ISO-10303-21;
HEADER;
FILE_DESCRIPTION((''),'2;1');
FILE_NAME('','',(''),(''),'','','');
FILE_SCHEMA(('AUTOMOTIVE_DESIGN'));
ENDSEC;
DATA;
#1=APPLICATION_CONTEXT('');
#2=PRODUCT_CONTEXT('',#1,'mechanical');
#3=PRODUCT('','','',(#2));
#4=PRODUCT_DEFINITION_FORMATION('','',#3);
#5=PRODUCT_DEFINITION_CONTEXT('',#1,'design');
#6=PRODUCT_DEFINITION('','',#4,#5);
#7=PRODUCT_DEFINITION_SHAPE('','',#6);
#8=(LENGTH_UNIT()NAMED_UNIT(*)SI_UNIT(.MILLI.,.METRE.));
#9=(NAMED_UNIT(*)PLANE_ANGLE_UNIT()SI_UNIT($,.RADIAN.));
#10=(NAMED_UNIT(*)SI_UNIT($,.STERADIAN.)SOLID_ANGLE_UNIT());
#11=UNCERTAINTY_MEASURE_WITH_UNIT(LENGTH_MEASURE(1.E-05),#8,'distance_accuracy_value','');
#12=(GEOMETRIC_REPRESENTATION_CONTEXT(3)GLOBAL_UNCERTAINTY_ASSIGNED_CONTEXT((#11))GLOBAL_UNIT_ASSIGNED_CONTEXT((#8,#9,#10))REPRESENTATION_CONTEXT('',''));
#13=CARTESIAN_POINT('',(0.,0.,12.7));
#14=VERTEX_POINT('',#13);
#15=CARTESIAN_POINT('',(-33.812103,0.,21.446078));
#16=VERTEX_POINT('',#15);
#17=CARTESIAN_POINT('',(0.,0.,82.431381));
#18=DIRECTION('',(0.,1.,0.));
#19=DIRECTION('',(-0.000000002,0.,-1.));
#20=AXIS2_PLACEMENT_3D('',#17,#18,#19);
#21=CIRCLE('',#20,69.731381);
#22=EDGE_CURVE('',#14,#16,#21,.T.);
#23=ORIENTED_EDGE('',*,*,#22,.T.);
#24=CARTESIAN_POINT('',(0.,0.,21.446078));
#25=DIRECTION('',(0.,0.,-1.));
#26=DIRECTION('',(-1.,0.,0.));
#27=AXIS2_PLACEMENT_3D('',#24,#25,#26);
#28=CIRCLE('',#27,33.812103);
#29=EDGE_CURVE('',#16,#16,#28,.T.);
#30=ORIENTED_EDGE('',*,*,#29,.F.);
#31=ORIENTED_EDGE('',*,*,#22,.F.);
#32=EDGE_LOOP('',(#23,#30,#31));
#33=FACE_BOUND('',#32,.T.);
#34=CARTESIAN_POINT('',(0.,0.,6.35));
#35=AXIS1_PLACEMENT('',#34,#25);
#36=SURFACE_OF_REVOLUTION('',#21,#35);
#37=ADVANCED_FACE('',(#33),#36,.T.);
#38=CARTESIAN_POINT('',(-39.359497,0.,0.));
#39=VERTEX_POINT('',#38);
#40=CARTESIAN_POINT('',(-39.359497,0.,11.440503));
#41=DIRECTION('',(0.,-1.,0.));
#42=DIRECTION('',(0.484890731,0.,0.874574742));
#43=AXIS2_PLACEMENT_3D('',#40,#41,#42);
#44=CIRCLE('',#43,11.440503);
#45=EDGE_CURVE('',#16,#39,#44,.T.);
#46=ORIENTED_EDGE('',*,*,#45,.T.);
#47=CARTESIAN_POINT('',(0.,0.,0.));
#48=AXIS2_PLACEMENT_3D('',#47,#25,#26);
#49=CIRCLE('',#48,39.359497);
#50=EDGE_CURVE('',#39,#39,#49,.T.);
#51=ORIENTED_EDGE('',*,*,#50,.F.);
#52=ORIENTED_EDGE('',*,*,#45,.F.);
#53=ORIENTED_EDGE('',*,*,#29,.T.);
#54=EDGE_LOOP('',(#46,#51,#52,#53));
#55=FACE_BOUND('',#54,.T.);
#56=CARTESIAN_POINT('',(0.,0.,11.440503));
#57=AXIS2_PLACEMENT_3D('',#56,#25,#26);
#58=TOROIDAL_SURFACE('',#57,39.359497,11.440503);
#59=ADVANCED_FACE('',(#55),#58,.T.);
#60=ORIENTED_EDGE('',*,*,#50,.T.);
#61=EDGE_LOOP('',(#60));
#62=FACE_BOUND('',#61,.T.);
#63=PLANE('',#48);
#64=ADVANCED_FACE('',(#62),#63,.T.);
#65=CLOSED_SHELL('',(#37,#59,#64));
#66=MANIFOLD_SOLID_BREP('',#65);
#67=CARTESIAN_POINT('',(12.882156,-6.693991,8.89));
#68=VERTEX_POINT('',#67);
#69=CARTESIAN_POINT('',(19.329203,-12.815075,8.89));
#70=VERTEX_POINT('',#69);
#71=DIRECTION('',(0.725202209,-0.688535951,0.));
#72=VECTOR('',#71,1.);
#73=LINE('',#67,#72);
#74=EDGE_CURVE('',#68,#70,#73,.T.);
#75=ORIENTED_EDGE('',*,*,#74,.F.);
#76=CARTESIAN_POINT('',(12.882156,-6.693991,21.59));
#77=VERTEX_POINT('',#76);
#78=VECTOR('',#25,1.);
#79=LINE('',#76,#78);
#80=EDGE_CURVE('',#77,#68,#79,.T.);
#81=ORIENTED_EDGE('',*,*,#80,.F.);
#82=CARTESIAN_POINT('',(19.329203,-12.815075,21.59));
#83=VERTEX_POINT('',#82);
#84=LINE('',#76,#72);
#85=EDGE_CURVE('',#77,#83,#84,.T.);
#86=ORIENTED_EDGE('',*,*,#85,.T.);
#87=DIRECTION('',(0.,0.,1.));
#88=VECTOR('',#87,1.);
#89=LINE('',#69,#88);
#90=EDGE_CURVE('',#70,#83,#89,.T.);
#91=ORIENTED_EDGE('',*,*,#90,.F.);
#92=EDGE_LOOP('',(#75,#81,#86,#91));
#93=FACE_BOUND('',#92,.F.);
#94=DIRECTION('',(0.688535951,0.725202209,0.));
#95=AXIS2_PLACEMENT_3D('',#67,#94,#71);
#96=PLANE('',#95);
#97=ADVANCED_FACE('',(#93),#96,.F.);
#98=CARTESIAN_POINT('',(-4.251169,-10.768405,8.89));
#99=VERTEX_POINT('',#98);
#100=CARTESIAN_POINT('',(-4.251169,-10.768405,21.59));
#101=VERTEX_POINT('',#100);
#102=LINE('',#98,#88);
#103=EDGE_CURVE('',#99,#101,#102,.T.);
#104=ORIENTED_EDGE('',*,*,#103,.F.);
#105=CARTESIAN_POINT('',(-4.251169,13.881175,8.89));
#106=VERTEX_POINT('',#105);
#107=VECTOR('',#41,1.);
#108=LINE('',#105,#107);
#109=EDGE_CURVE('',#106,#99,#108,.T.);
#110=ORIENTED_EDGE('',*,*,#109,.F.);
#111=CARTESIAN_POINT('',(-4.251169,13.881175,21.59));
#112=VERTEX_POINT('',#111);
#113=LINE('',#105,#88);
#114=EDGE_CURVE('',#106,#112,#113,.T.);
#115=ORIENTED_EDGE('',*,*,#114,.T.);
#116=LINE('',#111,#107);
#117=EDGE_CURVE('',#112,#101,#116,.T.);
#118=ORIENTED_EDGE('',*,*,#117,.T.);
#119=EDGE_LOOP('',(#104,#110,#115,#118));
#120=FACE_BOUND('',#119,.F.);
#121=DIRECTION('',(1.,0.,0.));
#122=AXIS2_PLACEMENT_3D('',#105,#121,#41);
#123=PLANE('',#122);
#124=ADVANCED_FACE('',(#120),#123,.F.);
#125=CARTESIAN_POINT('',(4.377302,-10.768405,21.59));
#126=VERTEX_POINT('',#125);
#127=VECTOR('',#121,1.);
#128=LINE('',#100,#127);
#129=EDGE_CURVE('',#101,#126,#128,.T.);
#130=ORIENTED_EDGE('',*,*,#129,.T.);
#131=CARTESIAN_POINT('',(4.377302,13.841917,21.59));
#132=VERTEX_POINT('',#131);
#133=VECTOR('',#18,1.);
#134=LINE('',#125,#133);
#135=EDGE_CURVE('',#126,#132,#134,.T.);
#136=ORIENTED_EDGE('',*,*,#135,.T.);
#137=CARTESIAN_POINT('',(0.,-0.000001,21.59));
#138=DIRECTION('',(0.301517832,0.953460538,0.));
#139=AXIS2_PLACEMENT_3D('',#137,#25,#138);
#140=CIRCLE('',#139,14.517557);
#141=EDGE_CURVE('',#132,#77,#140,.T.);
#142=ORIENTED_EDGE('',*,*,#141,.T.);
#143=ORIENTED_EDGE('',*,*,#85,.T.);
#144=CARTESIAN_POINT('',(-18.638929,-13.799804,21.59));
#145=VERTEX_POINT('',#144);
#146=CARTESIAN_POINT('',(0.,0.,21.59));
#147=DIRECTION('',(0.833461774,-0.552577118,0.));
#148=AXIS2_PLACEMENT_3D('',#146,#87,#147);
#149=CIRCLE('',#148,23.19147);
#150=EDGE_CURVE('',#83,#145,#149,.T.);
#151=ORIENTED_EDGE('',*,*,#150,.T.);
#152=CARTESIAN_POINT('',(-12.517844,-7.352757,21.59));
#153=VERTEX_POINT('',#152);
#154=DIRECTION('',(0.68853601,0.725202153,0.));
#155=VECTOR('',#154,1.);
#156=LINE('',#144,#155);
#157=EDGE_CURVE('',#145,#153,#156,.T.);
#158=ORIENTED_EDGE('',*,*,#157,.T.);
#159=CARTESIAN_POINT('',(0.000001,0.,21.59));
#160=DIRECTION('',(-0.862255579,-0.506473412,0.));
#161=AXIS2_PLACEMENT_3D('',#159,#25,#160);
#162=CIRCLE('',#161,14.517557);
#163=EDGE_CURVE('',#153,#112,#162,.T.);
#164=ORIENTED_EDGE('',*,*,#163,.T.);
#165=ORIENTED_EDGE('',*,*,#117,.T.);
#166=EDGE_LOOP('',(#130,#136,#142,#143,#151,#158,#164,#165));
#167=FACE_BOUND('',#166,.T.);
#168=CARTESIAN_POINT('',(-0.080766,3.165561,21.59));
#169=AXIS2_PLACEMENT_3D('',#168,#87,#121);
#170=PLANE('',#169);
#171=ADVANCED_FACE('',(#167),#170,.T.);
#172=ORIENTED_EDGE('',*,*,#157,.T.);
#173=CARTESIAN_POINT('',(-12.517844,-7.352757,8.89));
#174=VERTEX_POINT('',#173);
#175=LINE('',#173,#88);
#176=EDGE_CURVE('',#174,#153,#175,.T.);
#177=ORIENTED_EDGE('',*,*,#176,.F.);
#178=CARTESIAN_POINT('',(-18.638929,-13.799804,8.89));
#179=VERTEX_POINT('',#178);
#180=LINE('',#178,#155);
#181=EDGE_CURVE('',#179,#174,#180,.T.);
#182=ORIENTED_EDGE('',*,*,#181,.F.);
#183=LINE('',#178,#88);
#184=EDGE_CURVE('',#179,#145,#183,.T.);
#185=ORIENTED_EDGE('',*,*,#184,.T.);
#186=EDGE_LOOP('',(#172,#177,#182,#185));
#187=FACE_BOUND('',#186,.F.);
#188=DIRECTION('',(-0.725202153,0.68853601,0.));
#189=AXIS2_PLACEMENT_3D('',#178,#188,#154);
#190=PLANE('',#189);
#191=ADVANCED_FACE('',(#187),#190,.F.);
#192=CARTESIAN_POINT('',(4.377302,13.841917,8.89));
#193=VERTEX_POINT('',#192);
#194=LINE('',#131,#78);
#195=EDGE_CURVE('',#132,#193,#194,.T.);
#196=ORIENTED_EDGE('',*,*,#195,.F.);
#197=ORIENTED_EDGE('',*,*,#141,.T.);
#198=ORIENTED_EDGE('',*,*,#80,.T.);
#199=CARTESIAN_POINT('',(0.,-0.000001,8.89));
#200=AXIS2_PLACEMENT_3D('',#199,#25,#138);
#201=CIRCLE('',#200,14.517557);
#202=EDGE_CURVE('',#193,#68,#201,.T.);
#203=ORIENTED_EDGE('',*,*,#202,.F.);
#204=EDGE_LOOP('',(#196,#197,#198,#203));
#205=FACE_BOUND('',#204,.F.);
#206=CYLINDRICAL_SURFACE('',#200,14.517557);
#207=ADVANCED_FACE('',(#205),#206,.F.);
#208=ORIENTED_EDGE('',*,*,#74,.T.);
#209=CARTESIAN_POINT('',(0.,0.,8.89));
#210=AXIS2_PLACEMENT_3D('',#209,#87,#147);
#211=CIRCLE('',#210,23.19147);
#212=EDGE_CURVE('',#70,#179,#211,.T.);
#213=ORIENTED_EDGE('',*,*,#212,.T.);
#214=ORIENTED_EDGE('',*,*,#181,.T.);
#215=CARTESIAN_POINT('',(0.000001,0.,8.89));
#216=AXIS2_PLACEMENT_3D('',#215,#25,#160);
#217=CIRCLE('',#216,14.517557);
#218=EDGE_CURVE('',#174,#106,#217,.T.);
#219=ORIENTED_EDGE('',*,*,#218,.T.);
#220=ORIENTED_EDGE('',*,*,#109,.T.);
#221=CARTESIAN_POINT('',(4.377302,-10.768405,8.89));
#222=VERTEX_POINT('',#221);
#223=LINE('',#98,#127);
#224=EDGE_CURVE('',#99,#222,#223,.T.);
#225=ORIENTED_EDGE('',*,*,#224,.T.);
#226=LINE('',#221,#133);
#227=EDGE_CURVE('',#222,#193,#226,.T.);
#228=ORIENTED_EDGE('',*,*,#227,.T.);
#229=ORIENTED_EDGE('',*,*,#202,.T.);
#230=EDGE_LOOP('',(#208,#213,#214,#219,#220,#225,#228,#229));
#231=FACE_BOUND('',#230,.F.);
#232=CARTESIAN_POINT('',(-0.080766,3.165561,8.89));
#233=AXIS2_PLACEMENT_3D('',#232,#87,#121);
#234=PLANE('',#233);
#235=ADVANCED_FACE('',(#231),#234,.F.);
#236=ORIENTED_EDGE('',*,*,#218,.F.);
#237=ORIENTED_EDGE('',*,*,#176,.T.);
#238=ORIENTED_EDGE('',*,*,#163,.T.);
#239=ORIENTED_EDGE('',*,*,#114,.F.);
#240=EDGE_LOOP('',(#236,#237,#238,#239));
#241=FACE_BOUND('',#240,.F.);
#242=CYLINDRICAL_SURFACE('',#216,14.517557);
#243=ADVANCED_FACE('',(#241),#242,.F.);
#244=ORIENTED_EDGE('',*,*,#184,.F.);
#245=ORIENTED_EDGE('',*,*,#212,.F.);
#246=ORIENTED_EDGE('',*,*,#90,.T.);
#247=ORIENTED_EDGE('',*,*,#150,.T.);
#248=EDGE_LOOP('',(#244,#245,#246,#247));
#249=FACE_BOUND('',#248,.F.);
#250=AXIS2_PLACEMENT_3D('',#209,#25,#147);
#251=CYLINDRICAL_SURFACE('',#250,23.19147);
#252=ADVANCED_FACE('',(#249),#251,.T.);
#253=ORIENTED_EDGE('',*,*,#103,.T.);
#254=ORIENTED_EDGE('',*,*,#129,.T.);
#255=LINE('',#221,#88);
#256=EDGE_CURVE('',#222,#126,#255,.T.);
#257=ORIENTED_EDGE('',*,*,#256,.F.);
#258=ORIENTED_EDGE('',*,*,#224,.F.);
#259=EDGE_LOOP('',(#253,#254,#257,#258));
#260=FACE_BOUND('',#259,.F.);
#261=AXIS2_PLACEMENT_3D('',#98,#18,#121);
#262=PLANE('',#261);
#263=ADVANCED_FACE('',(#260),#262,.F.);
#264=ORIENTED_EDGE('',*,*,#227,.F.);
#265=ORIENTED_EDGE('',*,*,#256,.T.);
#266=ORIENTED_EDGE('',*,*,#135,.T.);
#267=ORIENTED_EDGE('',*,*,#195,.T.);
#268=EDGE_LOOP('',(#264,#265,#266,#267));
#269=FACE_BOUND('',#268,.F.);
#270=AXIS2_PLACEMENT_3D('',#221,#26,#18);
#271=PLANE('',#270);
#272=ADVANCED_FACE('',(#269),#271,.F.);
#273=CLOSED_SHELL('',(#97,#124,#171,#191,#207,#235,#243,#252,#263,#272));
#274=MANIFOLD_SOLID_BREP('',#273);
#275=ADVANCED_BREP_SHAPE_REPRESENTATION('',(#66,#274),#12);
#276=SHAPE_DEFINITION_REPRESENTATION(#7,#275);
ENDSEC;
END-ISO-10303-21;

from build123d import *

# Parameters (mm, degrees)
F4_DEPTH = 12.7
F5_DEPTH = 0.762


with BuildPart() as f1:
    # F0 (on Front) → F1 (revolve)
    with BuildSketch(Plane.XZ):
        with BuildLine():
            ThreePointArc((0, 12.7), (-17.462475, 14.921919), (-33.812103, 21.446078))
            ThreePointArc((-33.812103, 21.446078), (-50.43546, 14.30549), (-39.359497, 0))
            Line((-39.359497, 0), (0, 0))
            Line((0, 0), (0, 12.7))
        make_face()
    revolve(axis=Axis((0, 0, 6.35), (0, 0, -1)))


with BuildPart() as f4:
    # F3 (on offset) → F4 (new body)
    with BuildSketch(Plane.XY.offset(8.89)):
        with BuildLine():
            Line((12.882156, -6.693991), (19.329203, -12.815075))
            ThreePointArc((19.329203, -12.815075), (-0.601284, 23.183674), (-18.638929, -13.799804))
            Line((-18.638929, -13.799804), (-12.517844, -7.352757))
            ThreePointArc((-12.517844, -7.352757), (-13.528485, 5.266834), (-4.251169, 13.881175))
            Line((-4.251169, 13.881175), (-4.251169, -10.768405))
            Line((-4.251169, -10.768405), (4.377302, -10.768405))
            Line((4.377302, -10.768405), (4.377302, 13.841917))
            ThreePointArc((4.377302, 13.841917), (13.412796, 5.554849), (12.882156, -6.693991))
        make_face()
    extrude(amount=F4_DEPTH)

    # F3 (on offset) → F5 (join)
    with BuildSketch(Plane.XY.offset(8.89)):
        with BuildLine():
            Line((12.882156, -6.693991), (19.329203, -12.815075))
            ThreePointArc((19.329203, -12.815075), (-0.601284, 23.183674), (-18.638929, -13.799804))
            Line((-18.638929, -13.799804), (-12.517844, -7.352757))
            ThreePointArc((-12.517844, -7.352757), (-13.528485, 5.266834), (-4.251169, 13.881175))
            Line((-4.251169, 13.881175), (-4.251169, -10.768405))
            Line((-4.251169, -10.768405), (4.377302, -10.768405))
            Line((4.377302, -10.768405), (4.377302, 13.841917))
            ThreePointArc((4.377302, 13.841917), (13.412796, 5.554849), (12.882156, -6.693991))
        make_face()
    extrude(amount=F5_DEPTH)


solid = Compound([f1.part, f4.part])
